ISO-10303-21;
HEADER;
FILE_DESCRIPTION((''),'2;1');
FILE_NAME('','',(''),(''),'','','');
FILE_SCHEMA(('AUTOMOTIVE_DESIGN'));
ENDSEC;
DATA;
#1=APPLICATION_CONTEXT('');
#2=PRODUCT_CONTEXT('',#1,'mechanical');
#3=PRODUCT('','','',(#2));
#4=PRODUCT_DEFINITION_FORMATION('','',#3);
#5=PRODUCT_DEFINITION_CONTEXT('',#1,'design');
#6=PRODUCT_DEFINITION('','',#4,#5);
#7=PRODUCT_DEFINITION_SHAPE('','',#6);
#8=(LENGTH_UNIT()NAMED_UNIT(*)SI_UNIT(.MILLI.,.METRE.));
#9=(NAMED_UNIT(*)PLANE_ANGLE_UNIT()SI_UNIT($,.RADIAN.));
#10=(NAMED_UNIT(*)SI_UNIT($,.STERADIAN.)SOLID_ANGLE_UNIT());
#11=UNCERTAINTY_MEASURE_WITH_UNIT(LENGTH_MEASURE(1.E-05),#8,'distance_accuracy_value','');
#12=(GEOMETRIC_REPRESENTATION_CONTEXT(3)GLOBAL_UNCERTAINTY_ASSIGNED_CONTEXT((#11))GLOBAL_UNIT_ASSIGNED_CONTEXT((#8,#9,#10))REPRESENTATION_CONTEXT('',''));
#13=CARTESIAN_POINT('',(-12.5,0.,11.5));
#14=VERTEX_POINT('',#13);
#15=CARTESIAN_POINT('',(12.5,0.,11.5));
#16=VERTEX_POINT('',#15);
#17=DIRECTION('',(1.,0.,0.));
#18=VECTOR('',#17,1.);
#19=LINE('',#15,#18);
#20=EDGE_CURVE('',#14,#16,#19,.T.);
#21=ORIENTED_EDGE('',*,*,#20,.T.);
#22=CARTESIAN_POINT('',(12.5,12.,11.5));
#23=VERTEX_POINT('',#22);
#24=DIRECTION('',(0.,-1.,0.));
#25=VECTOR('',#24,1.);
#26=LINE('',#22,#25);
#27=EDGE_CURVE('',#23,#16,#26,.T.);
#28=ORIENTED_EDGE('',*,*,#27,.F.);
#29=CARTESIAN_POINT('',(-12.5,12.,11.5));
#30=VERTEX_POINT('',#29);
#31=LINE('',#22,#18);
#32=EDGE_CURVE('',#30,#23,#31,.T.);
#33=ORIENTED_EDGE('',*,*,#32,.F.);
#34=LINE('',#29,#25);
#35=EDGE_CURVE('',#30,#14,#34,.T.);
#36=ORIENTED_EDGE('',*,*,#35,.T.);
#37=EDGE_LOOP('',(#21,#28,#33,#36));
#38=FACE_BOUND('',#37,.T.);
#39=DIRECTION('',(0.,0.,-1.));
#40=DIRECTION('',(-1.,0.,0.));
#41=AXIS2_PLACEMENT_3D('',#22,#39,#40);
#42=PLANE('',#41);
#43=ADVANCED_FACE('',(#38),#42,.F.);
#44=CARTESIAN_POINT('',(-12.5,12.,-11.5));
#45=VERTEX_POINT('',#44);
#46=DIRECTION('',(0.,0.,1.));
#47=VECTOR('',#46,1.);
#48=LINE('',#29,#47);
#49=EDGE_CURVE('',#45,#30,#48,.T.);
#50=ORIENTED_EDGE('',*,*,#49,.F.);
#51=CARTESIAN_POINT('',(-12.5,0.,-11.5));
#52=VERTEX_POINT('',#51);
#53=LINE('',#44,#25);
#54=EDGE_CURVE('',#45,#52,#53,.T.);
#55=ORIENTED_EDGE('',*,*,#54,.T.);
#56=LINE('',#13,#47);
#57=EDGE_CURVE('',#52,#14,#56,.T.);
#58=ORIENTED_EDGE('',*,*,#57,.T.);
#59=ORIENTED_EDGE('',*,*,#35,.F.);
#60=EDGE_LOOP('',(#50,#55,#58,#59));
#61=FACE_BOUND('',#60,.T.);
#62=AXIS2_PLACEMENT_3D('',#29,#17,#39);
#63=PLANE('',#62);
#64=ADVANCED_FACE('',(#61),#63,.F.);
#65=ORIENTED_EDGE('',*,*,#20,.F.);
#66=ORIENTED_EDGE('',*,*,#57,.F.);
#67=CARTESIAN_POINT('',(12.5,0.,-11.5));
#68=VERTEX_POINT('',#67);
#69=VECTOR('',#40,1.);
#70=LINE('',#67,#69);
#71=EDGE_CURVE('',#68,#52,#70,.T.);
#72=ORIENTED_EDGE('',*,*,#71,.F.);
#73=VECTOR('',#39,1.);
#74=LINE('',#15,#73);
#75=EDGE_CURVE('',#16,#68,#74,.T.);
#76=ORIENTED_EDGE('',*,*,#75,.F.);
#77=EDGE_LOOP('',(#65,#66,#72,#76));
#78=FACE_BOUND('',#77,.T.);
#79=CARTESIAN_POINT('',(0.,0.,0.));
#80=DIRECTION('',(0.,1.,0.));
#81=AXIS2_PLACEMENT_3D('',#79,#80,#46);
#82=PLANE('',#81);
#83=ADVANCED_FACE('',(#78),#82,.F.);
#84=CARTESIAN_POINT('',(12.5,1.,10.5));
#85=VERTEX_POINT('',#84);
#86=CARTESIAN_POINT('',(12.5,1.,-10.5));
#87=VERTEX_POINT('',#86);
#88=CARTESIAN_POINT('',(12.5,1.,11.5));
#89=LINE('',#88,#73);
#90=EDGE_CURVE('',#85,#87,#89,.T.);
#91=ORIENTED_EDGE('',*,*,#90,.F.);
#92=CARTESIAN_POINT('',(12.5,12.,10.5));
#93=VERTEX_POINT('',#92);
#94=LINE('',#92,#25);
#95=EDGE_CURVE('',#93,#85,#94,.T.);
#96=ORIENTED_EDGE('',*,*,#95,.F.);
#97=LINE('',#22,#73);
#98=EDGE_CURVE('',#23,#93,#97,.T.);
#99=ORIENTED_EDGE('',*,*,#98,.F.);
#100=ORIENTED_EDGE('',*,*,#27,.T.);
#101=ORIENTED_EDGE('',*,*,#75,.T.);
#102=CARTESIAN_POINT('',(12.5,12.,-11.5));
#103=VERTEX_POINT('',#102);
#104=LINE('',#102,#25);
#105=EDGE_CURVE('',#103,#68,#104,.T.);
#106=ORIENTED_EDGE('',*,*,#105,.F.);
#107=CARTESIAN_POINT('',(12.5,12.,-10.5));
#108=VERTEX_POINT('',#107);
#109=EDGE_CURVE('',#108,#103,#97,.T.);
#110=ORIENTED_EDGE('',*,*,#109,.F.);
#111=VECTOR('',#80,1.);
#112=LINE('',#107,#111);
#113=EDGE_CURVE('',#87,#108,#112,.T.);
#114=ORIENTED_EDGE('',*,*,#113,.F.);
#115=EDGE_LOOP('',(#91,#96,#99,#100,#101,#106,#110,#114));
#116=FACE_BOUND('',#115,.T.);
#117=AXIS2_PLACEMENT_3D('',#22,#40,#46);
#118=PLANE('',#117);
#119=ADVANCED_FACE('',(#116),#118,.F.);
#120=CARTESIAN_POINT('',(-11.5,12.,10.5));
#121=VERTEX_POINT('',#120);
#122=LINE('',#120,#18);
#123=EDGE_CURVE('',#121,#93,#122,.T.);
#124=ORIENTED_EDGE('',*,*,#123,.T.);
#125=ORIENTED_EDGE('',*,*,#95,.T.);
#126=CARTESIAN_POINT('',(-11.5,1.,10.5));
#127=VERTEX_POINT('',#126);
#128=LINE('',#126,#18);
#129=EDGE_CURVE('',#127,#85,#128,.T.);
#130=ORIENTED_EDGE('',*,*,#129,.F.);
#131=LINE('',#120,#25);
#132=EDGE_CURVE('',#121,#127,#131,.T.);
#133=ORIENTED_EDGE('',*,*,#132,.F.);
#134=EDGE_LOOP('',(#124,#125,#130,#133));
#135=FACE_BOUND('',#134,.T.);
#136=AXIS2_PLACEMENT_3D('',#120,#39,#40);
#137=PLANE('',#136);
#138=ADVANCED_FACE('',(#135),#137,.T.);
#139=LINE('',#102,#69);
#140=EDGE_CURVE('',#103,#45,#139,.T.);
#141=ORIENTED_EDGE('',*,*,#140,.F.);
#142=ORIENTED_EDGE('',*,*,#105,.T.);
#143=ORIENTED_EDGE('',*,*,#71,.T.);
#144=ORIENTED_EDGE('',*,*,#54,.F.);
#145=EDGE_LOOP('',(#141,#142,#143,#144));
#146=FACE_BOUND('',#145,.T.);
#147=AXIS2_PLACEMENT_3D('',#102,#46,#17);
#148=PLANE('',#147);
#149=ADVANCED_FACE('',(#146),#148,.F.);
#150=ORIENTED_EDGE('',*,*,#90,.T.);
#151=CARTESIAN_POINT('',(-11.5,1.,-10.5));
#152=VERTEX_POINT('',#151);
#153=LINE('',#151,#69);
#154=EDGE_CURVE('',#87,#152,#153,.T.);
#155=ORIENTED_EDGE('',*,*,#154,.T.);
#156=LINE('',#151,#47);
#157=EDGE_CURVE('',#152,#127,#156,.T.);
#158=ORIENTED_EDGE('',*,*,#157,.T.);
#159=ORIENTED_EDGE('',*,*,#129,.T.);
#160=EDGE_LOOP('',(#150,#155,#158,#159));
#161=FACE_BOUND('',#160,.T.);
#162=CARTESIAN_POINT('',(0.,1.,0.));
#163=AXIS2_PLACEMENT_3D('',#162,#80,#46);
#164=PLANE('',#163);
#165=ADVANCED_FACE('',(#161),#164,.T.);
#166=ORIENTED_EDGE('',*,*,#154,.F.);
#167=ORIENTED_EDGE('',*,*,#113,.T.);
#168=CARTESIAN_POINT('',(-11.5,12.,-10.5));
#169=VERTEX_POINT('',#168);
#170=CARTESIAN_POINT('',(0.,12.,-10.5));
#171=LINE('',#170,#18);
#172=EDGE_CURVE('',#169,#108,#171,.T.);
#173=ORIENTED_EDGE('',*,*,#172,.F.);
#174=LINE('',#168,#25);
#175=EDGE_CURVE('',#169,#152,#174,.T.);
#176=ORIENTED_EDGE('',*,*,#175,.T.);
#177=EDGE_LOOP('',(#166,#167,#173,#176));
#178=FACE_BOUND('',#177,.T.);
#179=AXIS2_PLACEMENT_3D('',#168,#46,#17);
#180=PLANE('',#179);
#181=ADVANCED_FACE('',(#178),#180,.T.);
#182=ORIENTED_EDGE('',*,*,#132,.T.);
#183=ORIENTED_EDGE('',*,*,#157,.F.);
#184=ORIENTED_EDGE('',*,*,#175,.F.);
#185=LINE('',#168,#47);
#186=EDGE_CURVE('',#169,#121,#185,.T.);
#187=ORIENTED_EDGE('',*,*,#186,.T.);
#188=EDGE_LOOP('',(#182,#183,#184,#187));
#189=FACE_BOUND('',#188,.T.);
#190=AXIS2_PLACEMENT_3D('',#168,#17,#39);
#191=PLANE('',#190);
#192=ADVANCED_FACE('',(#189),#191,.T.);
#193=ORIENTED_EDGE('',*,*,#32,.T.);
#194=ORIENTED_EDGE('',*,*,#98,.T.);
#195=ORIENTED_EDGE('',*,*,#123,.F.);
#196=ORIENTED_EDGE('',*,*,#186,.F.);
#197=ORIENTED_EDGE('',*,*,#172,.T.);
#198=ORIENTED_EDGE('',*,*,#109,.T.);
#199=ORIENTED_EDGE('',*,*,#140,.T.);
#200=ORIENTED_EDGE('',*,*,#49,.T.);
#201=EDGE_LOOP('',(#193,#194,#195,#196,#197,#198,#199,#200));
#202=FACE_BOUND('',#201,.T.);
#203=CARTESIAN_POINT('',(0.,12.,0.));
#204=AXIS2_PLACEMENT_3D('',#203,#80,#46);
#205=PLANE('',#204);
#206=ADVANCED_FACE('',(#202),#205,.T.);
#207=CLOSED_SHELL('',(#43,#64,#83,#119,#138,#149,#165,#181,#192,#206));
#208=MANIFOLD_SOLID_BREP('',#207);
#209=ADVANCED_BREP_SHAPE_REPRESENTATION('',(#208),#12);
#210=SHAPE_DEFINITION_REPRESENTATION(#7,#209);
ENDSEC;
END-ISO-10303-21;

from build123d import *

# Parameters (mm, degrees)
SKETCH_1_W          = 25
SKETCH_1_H          = 23
EXTRUDE_1_DEPTH     = 12
CUT_EXTRUDE_START   = 1
SKETCH_2_W          = 25
SKETCH_2_H          = 21
CUT_EXTRUDE_1_DEPTH = 11
EXTRUDE_START       = 12
SKETCH_6_W          = 25
SKETCH_6_H          = 23
EXTRUDE_3_DEPTH     = 1
CUT_EXTRUDE_START_2 = 13
SKETCH_8_R          = 9.75
CUT_EXTRUDE_2_DEPTH = 1
SKETCH_9_W          = 25
SKETCH_9_H          = 23
CUT_EXTRUDE_3_DEPTH = 1


with BuildPart() as part:
    # 스케치1 → 보스-돌출1 (new body)
    with BuildSketch(Plane(origin=(0, 0, 0), x_dir=(1, 0, 0), z_dir=(0, 1, 0))):
        Rectangle(SKETCH_1_W, SKETCH_1_H)
    extrude(amount=EXTRUDE_1_DEPTH)

    # 스케치2 → 컷-돌출1 (cut)
    with BuildSketch(Plane(origin=(0, 0, 0), x_dir=(1, 0, 0), z_dir=(0, 1, 0)).offset(CUT_EXTRUDE_START)):
        with Locations((1, 0)):
            Rectangle(SKETCH_2_W, SKETCH_2_H)
    extrude(amount=CUT_EXTRUDE_1_DEPTH, mode=Mode.SUBTRACT)


with BuildPart() as body_2:
    # 스케치6 → 보스-돌출3 (new body)
    with BuildSketch(Plane(origin=(0, 0, 0), x_dir=(1, 0, 0), z_dir=(0, 1, 0)).offset(EXTRUDE_START)):
        Rectangle(SKETCH_6_W, SKETCH_6_H)
    extrude(amount=EXTRUDE_3_DEPTH)

    # 스케치8 → 컷-돌출2 (cut)
    with BuildSketch(Plane(origin=(0, 0, 0), x_dir=(1, 0, 0), z_dir=(0, 1, 0)).offset(CUT_EXTRUDE_START_2)):
        with Locations(Location((-0.75, 0, 0), (0, 0, 270))):
            Circle(SKETCH_8_R)
    extrude(amount=-CUT_EXTRUDE_2_DEPTH, mode=Mode.SUBTRACT)

    # 스케치9 → 컷-돌출3 (cut)
    with BuildSketch(Plane(origin=(0, 13, 0), x_dir=(1, 0, 0), z_dir=(0, 1, 0))):
        Rectangle(SKETCH_9_W, SKETCH_9_H)
    extrude(amount=-CUT_EXTRUDE_3_DEPTH, mode=Mode.SUBTRACT)


solid = part.part
